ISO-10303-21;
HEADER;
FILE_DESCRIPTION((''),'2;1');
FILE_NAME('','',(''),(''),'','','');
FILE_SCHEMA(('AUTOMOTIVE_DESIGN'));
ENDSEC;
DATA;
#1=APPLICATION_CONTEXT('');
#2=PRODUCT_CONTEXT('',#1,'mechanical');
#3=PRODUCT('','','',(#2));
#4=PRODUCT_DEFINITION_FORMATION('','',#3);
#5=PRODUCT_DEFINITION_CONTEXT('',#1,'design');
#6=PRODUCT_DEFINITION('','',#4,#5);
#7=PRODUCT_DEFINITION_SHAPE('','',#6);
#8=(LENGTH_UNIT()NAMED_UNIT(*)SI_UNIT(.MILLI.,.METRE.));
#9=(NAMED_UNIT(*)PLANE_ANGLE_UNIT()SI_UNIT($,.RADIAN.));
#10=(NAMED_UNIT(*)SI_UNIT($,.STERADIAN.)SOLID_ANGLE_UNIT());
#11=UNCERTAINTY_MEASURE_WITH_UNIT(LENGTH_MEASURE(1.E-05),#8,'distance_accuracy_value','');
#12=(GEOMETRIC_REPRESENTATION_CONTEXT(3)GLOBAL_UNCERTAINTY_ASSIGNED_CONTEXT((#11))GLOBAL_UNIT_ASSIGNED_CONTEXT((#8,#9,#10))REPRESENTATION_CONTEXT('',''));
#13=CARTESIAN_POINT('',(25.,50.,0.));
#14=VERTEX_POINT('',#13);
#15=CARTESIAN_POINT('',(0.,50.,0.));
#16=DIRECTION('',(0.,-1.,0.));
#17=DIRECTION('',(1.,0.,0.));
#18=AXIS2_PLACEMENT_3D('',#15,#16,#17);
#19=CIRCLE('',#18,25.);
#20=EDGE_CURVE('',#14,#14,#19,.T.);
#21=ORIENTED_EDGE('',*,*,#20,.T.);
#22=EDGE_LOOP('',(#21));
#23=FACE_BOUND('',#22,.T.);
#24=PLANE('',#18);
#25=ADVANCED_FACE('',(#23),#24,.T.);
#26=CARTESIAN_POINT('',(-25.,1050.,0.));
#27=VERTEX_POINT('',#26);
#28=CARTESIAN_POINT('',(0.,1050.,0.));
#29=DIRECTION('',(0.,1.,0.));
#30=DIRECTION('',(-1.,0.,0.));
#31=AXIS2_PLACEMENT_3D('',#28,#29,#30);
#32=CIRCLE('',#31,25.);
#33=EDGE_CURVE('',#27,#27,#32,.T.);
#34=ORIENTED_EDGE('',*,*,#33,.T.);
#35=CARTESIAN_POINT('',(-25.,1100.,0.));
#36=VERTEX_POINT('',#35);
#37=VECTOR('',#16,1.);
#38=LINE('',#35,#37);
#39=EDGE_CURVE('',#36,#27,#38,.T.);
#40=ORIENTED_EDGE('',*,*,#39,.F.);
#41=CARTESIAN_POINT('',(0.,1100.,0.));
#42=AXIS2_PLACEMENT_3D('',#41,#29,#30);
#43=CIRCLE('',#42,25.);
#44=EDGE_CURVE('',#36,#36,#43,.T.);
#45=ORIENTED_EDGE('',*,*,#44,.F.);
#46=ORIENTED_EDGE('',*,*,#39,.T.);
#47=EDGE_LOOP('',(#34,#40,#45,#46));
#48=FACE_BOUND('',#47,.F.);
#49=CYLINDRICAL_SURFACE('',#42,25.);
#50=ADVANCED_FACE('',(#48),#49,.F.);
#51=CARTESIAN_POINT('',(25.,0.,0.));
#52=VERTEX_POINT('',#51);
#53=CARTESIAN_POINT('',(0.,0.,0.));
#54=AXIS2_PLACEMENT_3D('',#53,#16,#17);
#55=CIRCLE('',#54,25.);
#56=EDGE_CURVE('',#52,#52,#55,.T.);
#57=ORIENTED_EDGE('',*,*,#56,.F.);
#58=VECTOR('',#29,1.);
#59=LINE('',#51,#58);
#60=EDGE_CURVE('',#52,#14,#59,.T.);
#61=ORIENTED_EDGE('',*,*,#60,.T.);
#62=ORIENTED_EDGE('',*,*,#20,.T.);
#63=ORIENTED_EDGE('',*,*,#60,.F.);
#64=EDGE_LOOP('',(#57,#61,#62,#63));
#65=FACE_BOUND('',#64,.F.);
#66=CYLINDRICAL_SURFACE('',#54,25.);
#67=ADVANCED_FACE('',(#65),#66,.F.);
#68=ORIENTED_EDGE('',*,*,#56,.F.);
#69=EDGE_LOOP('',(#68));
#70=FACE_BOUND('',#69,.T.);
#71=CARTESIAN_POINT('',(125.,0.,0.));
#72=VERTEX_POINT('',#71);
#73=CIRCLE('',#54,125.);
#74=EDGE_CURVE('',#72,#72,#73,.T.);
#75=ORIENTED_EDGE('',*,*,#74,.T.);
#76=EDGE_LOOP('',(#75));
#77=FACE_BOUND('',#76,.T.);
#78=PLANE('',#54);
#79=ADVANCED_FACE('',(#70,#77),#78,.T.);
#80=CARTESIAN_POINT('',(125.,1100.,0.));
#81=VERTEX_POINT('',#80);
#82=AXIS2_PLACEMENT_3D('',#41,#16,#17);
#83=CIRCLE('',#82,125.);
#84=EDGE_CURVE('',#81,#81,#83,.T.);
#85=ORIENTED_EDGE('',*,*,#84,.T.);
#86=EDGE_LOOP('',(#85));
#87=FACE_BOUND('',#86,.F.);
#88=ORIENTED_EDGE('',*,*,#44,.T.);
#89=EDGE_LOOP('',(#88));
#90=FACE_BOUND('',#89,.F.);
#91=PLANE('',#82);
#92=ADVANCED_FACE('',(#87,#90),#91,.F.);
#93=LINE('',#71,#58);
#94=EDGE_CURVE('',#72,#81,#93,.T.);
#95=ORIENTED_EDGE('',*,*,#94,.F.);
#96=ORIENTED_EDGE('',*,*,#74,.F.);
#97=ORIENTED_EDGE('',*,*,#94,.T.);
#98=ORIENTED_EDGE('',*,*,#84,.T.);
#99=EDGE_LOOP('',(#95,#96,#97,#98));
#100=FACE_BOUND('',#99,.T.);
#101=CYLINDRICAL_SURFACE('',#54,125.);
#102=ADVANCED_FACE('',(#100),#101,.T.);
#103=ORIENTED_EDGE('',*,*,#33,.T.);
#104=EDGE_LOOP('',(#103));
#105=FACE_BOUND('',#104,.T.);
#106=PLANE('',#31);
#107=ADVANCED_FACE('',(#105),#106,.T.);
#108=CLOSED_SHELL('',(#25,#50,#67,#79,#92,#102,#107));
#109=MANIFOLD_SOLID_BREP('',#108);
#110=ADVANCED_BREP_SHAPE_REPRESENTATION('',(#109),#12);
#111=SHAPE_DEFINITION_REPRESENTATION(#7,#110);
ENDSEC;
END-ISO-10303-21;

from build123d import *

# Parameters (mm, degrees)
F0_R     = 125
F1_DEPTH = 1100
F2_R     = 25
F3_DEPTH = 50
F4_R     = 25
F5_DEPTH = 50


with BuildPart() as f1:
    # F0 (on Front) → F1 (new body)
    with BuildSketch(Plane.XZ):
        Circle(F0_R)
    extrude(amount=-F1_DEPTH)

    # F2 (on face) → F3 (cut)
    with BuildSketch(Plane.XZ):
        Circle(F2_R)
    extrude(amount=-F3_DEPTH, mode=Mode.SUBTRACT)

    # F4 (on face) → F5 (cut)
    with BuildSketch(Plane(origin=(0, 1100, 0), x_dir=(-1, 0, 0), z_dir=(0, 1, 0))):
        Circle(F4_R)
    extrude(amount=-F5_DEPTH, mode=Mode.SUBTRACT)


solid = f1.part
